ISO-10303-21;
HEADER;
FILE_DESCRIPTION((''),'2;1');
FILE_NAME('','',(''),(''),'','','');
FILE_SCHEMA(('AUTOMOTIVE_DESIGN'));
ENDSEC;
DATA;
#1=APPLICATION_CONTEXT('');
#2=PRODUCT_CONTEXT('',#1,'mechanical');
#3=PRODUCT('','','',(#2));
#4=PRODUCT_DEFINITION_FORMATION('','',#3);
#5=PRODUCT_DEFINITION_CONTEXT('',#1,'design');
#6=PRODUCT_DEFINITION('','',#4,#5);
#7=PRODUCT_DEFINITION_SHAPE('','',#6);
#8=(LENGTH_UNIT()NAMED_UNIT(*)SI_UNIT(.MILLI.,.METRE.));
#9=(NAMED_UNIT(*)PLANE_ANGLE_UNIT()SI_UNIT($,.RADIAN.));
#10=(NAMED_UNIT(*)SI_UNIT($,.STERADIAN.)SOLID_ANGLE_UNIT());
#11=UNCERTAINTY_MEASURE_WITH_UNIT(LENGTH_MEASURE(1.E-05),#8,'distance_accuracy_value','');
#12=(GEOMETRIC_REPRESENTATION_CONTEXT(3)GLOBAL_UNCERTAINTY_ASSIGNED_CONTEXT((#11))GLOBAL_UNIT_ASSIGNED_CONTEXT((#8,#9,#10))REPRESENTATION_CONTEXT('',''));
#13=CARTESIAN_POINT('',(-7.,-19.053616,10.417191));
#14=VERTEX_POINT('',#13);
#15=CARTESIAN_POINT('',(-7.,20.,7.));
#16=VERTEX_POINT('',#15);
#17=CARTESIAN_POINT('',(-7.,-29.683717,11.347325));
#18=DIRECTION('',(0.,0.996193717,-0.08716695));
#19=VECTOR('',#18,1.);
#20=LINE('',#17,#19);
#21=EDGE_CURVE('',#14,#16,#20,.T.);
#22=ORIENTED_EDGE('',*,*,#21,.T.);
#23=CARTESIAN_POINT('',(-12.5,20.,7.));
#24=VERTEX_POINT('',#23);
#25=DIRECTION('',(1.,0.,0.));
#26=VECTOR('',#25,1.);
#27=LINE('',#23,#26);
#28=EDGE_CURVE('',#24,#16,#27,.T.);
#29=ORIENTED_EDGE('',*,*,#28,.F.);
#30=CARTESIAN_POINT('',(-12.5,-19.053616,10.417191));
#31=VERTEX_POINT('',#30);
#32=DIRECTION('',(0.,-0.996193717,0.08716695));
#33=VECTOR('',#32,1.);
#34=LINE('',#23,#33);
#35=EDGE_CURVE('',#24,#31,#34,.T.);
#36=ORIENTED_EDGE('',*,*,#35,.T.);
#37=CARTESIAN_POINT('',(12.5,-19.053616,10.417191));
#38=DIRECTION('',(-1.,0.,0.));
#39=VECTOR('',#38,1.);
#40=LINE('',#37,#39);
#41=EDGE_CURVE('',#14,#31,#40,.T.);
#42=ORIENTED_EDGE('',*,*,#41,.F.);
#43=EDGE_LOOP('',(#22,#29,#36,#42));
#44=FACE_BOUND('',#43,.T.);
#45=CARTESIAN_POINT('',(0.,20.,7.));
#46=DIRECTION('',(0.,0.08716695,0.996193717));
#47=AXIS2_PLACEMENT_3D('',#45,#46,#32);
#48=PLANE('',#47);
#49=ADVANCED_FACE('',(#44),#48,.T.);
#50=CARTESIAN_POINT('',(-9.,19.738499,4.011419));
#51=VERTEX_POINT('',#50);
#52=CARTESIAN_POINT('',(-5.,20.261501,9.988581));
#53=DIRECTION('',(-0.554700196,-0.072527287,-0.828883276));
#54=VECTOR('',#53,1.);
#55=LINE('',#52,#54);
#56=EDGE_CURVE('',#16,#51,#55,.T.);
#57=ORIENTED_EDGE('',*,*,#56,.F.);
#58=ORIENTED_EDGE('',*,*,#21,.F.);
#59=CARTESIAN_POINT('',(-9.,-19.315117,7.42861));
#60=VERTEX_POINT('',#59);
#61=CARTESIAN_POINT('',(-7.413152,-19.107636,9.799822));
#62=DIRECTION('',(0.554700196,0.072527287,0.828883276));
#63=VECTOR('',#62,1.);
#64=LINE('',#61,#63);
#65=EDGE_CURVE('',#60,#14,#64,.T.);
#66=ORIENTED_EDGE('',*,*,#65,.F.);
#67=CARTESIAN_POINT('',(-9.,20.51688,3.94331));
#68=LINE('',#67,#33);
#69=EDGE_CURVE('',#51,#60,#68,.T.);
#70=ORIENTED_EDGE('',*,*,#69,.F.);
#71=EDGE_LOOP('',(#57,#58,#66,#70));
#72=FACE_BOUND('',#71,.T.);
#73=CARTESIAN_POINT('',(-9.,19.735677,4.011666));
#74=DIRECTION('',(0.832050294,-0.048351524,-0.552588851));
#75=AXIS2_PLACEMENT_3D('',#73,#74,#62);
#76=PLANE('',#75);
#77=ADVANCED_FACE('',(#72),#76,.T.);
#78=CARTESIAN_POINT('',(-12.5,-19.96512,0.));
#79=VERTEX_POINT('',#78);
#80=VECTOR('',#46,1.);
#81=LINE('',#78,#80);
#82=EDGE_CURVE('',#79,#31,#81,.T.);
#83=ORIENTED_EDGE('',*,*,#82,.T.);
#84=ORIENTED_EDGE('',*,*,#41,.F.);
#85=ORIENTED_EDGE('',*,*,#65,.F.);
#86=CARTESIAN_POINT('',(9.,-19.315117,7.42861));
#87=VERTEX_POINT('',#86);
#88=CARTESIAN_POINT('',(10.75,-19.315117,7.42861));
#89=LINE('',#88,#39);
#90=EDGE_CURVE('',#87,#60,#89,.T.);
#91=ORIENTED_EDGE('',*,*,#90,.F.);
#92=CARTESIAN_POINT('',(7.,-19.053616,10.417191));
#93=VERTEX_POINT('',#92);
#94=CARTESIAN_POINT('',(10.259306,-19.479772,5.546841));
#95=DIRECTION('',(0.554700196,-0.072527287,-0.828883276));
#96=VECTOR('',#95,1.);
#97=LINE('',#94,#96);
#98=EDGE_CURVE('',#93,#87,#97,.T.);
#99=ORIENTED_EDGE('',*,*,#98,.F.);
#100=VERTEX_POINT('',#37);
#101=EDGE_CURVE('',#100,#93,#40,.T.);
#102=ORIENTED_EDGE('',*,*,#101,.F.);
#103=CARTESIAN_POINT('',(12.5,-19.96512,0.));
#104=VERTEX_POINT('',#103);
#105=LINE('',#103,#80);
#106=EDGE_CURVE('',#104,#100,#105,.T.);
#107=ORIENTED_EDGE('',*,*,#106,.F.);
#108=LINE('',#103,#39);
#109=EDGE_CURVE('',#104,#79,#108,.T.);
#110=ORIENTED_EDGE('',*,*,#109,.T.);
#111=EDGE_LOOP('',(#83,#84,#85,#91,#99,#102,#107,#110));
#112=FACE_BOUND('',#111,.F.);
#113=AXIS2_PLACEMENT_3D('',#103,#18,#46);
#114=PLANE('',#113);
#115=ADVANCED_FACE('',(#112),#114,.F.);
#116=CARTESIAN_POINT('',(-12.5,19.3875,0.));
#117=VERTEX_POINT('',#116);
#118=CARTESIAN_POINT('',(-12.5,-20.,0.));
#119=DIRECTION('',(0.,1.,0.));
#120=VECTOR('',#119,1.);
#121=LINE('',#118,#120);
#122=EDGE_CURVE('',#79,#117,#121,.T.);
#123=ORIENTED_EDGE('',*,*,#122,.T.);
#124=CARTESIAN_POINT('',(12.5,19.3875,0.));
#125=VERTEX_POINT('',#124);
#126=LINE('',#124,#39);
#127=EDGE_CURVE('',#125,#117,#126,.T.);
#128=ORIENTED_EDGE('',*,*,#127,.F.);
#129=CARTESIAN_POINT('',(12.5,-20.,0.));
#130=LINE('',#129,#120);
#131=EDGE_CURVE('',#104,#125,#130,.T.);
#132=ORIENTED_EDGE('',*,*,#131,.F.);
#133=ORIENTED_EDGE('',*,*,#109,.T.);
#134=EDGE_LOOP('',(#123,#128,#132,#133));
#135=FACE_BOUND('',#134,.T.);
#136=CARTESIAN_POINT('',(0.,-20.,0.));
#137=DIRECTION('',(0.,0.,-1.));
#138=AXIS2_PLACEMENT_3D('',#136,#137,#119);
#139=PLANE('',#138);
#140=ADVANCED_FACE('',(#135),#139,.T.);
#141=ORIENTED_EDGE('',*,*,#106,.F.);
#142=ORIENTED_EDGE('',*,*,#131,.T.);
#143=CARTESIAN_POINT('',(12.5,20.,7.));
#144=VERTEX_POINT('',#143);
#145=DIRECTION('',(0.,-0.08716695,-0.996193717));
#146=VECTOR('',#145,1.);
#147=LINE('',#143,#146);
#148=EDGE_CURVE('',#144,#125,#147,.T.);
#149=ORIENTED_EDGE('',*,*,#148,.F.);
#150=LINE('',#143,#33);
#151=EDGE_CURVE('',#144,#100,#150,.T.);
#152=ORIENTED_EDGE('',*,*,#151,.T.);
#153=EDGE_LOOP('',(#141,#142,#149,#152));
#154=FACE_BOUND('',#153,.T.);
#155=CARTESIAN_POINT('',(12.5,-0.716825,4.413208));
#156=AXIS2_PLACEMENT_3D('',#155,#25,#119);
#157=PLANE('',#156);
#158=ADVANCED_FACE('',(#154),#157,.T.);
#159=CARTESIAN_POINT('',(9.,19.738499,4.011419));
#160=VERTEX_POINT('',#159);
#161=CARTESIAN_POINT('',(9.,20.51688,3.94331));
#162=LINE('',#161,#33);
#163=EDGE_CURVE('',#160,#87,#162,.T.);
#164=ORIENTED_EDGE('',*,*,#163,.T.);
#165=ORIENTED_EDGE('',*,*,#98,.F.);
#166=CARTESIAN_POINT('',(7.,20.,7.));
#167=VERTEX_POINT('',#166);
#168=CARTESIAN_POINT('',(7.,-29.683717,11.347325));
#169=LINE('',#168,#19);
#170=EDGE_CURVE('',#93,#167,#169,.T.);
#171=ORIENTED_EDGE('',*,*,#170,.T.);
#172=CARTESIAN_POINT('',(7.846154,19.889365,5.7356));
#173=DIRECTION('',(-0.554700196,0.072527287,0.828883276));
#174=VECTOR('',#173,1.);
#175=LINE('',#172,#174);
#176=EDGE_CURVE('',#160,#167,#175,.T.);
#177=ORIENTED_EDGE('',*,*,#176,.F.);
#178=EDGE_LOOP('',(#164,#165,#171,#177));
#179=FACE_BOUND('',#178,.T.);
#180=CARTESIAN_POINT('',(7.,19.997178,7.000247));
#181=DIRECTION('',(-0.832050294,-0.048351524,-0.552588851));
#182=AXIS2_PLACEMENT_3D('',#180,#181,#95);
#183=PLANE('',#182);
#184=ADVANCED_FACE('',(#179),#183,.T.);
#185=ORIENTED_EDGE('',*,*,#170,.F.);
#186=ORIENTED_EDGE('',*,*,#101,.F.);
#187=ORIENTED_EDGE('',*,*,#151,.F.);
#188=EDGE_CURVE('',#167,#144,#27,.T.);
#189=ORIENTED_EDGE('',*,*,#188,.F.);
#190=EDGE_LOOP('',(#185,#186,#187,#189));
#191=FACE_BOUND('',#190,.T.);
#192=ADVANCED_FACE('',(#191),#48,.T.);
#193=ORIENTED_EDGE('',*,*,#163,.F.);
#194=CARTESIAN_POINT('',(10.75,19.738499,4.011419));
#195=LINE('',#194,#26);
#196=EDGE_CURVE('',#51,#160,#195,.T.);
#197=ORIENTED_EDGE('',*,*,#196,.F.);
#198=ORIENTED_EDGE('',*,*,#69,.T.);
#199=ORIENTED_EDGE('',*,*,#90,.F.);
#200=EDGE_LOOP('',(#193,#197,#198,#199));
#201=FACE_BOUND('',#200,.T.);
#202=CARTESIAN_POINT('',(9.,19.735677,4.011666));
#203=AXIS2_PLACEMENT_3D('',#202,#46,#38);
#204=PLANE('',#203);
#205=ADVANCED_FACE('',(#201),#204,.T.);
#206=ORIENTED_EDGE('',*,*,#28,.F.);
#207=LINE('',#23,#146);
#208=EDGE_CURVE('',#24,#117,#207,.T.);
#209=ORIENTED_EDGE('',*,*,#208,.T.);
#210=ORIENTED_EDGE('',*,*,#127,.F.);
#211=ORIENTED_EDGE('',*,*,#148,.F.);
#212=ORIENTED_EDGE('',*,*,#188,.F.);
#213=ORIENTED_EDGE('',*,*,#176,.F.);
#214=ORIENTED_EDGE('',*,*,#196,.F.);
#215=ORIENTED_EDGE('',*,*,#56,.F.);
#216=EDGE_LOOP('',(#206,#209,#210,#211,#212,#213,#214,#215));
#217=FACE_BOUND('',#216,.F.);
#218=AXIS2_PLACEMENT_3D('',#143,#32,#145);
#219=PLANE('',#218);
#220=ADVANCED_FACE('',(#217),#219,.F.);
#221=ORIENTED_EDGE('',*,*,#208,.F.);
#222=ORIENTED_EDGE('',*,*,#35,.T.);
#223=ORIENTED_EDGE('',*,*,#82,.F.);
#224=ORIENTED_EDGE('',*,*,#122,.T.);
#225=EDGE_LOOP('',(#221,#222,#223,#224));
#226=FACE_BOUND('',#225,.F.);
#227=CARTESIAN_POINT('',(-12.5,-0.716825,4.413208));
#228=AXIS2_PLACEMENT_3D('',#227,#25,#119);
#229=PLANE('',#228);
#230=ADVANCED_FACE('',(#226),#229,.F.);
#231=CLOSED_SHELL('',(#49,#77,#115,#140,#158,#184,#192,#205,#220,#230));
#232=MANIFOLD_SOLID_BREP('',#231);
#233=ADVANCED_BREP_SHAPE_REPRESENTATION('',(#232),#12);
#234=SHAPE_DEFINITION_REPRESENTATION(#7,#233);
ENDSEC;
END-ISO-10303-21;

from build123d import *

# Parameters (mm, degrees)
F2_DEPTH      = 12.5
F3_W          = 25
F3_H          = 7.5488379344
F4_DEPTH      = 12.5
F7_DEPTH      = 49.8707171405
F7_DEPTH_BACK = 0.7841883029
F8_DEPTH      = 7.5488379344
F11_DEPTH     = 25


with BuildPart() as f2:
    # F1 (on Right) → F2 (new body, symmetric)
    with BuildSketch(Plane.YZ):
        Polygon((-20, 0), (20, 0), (20, 7), (-20, 10.5), (-20, 7), align=None)
    extrude(amount=F2_DEPTH, both=True)


with BuildPart() as f4:
    # F3 (on face) → F4 (new body, symmetric)
    with BuildSketch(Plane(origin=(0, 0.7598077221, 8.6835168243), x_dir=(1, 0, 0), z_dir=(0, 0.0871669503, 0.9961937175))):
        with Locations((0, -24.6135462951)):
            Rectangle(F3_W, F3_H)
    extrude(amount=F4_DEPTH, both=True)


with BuildPart() as f7_tool:
    # F6 (on offset) → F7 (new body, two sides)
    with BuildSketch(Plane(origin=(0, 19.2373700353, -1.6832698781), x_dir=(-1, 0, 0), z_dir=(0, 0.9961937175, -0.0871669503))) as f7_sk:
        Polygon((-7, 5.7166950281), (7, 5.7166950281), (9, 5.7166950281), (7, 8.7166950281), (-7, 8.7166950281), (-9, 5.7166950281), align=None)
    extrude(amount=-F7_DEPTH)
    extrude(f7_sk.sketch, amount=F7_DEPTH_BACK)


with BuildPart() as f2_1:
    add(f2.part)

    # F7: cut by f7_tool
    add(f7_tool.part, mode=Mode.SUBTRACT)

    # F10 (on face) → F11 (cut, through all)
    with BuildSketch(Plane.YZ.offset(12.5)):
        Polygon((-19.9651202156, 0), (-19.0536159684, 10.4171913972), (-20, 10.5), (-20, 0), align=None)
        Polygon((20, 0), (20, 7), (19.3875, 0), align=None)
    extrude(amount=-F11_DEPTH, mode=Mode.SUBTRACT)


with BuildPart() as f4_1:
    add(f4.part)

    # F7: cut by f7_tool
    add(f7_tool.part, mode=Mode.SUBTRACT)

    # F8 (cut, through all): a face of the model
    f8_faces = [f4_1.faces().sort_by_distance(p)[0] for p in [
        (0, -27.5087747318, 11.2874970991),
    ]]
    extrude(f8_faces, amount=-F8_DEPTH, mode=Mode.SUBTRACT)


solid = f2_1.part
